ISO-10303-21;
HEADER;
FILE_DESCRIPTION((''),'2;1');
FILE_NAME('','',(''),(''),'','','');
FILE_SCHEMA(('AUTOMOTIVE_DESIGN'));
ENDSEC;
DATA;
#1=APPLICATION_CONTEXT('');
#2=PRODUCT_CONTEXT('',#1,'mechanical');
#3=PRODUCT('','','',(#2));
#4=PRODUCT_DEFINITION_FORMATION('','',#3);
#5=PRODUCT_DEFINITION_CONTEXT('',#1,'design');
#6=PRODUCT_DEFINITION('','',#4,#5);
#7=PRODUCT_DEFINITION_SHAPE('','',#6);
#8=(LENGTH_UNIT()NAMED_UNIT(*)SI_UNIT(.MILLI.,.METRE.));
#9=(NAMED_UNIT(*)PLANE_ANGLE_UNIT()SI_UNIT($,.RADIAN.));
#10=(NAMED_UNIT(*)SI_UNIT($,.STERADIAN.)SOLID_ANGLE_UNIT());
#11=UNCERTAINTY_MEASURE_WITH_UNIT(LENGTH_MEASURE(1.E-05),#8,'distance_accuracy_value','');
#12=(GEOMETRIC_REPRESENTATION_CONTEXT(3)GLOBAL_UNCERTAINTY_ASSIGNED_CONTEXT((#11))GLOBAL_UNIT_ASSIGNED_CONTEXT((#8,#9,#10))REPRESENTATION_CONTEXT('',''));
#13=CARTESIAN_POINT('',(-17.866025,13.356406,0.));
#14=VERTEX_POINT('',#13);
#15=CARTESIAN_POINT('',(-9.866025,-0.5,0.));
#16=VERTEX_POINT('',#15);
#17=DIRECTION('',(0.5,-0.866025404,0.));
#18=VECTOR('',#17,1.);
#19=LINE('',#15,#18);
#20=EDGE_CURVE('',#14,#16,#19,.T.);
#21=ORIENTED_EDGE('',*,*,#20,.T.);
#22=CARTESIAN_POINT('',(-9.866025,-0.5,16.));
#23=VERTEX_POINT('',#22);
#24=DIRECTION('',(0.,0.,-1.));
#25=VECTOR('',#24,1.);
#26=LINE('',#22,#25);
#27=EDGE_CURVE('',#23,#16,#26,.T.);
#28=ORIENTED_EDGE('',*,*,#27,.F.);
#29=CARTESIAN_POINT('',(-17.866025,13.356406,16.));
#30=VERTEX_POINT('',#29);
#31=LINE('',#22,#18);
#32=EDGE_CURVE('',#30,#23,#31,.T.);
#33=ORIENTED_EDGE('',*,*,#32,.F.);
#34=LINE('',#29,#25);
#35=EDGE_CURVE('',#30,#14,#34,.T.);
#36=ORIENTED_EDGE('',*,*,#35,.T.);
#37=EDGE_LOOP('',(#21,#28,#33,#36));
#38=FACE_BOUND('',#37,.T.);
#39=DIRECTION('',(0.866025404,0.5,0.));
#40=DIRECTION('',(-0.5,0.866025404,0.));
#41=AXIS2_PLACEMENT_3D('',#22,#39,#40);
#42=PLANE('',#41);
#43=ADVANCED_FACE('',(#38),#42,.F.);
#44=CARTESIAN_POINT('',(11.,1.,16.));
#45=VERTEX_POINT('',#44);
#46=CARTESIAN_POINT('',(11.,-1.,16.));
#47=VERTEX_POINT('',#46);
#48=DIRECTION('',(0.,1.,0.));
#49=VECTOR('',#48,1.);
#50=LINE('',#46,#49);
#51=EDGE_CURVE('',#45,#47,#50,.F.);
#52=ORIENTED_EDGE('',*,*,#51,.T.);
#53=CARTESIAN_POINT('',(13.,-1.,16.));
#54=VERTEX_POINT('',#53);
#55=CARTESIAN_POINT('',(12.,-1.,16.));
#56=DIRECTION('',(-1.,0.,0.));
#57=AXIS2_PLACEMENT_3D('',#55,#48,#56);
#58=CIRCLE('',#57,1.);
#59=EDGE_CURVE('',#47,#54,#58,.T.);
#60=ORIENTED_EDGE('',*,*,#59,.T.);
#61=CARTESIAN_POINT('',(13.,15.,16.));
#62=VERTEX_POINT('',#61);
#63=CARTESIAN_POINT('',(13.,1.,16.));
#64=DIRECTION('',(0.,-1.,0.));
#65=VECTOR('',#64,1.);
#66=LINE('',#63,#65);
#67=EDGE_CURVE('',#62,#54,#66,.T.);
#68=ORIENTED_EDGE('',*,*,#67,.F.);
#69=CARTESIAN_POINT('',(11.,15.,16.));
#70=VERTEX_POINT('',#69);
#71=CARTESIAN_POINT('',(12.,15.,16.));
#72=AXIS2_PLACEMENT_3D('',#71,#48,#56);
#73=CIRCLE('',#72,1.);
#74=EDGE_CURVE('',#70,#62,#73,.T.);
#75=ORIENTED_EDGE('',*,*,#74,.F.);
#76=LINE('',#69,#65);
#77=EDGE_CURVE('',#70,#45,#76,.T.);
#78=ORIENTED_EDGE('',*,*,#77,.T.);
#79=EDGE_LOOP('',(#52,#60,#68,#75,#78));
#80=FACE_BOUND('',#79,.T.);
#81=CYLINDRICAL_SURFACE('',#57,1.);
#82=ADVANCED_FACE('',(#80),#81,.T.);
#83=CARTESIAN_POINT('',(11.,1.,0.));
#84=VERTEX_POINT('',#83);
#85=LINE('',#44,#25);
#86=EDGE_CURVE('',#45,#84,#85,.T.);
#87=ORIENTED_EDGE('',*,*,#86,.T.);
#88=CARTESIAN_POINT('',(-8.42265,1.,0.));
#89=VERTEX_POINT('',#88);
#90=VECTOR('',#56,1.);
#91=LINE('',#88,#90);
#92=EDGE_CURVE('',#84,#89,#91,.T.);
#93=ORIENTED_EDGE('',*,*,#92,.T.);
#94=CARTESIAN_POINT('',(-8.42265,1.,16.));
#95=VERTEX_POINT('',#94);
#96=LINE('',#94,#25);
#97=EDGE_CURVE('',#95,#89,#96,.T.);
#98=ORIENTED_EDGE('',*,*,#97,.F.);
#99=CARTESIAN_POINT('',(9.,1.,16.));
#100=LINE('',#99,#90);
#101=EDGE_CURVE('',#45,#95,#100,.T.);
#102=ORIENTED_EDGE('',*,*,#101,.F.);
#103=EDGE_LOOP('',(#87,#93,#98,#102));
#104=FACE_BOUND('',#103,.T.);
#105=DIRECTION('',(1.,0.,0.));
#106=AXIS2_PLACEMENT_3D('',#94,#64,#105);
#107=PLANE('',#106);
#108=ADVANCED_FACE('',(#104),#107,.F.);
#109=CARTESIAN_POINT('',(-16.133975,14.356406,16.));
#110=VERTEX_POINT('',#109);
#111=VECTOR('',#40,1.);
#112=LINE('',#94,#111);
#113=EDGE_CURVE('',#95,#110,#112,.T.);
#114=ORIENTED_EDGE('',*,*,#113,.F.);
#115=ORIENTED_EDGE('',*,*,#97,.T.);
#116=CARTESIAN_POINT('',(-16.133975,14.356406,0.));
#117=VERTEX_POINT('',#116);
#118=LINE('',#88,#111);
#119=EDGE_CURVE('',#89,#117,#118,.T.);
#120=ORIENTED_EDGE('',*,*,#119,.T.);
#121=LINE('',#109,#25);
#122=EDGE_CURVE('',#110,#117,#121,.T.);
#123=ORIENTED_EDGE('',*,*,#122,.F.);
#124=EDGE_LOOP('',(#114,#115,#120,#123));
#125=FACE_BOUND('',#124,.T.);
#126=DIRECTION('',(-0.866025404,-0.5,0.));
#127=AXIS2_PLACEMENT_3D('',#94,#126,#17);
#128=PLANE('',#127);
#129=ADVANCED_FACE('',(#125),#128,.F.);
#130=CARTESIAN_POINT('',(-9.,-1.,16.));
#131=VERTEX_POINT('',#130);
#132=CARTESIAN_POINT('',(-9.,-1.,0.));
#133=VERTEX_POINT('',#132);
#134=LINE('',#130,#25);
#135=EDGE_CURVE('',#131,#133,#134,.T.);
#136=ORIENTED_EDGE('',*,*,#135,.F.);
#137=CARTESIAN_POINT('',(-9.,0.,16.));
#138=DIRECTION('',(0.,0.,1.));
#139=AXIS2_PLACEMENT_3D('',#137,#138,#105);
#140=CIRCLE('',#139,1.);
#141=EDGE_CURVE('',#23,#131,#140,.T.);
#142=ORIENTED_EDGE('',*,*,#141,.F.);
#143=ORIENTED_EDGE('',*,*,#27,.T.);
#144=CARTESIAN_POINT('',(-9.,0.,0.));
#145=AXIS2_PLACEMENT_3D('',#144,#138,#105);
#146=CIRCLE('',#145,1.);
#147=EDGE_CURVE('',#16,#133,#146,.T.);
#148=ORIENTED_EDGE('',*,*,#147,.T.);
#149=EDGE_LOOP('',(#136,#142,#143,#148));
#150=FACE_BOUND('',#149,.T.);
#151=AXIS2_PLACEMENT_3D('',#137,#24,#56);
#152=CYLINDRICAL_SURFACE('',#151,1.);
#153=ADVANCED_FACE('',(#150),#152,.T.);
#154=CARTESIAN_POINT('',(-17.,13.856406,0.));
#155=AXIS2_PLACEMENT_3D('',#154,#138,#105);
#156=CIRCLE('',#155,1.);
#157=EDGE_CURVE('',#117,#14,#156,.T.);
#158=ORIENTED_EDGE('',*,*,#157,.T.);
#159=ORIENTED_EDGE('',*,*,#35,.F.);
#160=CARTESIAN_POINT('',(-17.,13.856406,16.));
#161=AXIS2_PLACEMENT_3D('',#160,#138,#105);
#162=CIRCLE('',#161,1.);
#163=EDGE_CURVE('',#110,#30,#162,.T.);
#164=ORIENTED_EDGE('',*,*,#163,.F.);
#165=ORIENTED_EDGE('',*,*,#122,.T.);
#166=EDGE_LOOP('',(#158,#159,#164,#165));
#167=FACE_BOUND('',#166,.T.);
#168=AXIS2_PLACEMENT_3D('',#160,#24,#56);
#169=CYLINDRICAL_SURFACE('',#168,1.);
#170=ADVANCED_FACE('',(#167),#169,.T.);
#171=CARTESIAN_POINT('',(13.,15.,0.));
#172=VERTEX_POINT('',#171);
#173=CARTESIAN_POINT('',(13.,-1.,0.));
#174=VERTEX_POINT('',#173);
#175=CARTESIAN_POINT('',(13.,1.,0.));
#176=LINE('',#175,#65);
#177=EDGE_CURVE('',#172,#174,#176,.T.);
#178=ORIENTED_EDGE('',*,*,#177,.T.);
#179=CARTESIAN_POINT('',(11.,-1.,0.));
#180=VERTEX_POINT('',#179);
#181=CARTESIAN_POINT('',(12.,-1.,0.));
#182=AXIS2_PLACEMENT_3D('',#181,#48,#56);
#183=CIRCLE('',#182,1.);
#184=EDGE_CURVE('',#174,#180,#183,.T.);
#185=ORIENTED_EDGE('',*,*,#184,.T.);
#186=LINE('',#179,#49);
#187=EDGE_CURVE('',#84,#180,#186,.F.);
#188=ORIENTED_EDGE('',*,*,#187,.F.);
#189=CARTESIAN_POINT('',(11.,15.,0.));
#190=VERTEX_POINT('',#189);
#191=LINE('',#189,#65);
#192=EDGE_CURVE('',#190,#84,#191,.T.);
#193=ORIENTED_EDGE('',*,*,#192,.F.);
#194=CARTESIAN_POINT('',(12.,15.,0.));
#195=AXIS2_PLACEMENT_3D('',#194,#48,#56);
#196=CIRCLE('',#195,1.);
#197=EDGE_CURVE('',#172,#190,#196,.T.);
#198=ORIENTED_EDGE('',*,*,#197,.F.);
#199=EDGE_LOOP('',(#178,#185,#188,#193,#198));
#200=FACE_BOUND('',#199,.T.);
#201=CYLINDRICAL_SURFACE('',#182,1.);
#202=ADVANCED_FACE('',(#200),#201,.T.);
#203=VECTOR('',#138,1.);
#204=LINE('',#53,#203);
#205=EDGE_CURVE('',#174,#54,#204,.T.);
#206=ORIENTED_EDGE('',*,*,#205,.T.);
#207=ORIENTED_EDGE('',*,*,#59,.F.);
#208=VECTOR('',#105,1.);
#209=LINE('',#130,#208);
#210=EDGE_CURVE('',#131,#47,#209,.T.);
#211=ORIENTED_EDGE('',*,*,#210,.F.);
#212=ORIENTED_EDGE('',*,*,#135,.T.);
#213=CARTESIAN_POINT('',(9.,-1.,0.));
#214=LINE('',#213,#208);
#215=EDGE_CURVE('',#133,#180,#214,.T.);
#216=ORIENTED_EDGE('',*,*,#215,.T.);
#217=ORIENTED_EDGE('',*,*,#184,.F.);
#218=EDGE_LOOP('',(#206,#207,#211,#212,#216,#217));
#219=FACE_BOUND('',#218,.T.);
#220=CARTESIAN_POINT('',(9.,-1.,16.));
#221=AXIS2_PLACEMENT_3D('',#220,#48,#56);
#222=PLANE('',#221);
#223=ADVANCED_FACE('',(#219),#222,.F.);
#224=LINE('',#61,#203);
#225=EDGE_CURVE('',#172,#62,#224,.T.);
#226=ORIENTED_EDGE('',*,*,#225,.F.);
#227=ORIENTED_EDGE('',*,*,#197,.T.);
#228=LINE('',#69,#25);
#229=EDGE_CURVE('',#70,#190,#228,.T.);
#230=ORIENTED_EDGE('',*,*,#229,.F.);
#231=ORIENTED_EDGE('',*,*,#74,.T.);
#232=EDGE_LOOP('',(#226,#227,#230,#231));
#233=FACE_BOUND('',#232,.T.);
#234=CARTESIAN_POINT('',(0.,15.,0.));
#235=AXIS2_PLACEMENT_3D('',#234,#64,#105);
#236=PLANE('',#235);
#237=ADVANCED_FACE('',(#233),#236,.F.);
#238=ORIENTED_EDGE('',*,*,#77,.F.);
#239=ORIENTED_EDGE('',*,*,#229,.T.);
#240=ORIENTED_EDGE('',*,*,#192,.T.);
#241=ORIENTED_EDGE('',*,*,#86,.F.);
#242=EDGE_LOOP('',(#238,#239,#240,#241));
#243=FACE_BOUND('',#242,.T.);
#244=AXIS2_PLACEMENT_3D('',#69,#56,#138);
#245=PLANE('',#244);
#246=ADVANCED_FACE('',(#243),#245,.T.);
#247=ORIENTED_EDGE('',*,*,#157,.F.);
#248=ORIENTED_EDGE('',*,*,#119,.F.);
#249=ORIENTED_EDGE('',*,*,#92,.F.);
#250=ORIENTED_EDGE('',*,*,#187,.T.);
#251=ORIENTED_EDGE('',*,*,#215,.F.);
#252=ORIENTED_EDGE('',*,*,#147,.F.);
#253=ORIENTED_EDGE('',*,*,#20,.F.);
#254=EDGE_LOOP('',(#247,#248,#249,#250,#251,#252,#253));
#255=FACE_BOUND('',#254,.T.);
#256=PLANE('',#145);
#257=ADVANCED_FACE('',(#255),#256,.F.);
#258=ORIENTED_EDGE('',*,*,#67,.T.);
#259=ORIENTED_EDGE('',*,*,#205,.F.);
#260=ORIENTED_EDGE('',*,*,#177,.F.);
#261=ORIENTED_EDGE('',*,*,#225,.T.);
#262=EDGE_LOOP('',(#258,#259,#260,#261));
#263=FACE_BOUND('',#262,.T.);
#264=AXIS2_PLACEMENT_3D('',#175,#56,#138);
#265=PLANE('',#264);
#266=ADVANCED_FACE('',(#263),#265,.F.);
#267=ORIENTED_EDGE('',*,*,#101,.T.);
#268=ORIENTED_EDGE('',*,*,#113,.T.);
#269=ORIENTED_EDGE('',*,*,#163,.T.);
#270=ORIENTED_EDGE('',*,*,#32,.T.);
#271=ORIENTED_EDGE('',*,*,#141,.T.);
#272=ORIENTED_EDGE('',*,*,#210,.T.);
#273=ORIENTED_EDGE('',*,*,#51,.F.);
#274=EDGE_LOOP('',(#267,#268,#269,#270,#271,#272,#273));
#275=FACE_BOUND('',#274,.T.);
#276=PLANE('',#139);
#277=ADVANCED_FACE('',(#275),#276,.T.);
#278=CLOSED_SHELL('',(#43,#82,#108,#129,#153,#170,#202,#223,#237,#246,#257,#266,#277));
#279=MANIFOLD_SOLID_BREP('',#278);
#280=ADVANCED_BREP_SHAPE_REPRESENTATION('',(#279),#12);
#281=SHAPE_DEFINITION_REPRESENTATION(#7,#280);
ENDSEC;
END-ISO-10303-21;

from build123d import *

# Parameters (mm, degrees)
EXTRUDE_9_DEPTH     = 16
SKETCH_12_W         = 3.587626489
SKETCH_12_H         = 2.400728999
CUT_EXTRUDE_2_DEPTH = 16
SKETCH_17_W         = 2
SKETCH_17_H         = 16
EXTRUDE_15_DEPTH    = 16
SKETCH_18_R         = 1
EXTRUDE_16_DEPTH    = 16


with BuildPart() as part:
    # 草图10 → 凸台-拉伸9 (new body)
    with BuildSketch(Plane.XY):
        with BuildLine():
            Line((-8.422649731, 1), (9, 1))
            Line((9, 1), (16.587626489, 1))
            Line((16.587626489, 1), (16.587626489, -1))
            Line((16.587626489, -1), (9, -1))
            Line((9, -1), (-9, -1))
            ThreePointArc((-9, -1), (-9.5, -0.866025404), (-9.866025404, -0.5))
            Line((-9.866025404, -0.5), (-17.866025404, 13.356406461))
            ThreePointArc((-17.866025404, 13.356406461), (-17.5, 14.722431864), (-16.133974596, 14.356406461))
            Line((-16.133974596, 14.356406461), (-8.422649731, 1))
        make_face()
    extrude(amount=EXTRUDE_9_DEPTH)

    # 草图12 → 切除-拉伸2 (cut)
    with BuildSketch(Plane.XY.offset(16)):
        with Locations((14.793813245, -0.2003645)):
            Rectangle(SKETCH_12_W, SKETCH_12_H)
    extrude(amount=-CUT_EXTRUDE_2_DEPTH, mode=Mode.SUBTRACT)

    # 草图17 → 凸台-拉伸15 (add)
    with BuildSketch(Plane.XZ.offset(1)):
        with Locations((12, 8)):
            Rectangle(SKETCH_17_W, SKETCH_17_H)
    extrude(amount=-EXTRUDE_15_DEPTH)

    # 草图18 → 凸台-拉伸16 (add)
    with BuildSketch(Plane(origin=(0, 15, 0), x_dir=(1, 0, 0), z_dir=(0, 1, 0))):
        with Locations((12, 0)):
            Circle(SKETCH_18_R)
        with Locations((12, -16)):
            Circle(SKETCH_18_R)
    extrude(amount=-EXTRUDE_16_DEPTH)


solid = part.part
